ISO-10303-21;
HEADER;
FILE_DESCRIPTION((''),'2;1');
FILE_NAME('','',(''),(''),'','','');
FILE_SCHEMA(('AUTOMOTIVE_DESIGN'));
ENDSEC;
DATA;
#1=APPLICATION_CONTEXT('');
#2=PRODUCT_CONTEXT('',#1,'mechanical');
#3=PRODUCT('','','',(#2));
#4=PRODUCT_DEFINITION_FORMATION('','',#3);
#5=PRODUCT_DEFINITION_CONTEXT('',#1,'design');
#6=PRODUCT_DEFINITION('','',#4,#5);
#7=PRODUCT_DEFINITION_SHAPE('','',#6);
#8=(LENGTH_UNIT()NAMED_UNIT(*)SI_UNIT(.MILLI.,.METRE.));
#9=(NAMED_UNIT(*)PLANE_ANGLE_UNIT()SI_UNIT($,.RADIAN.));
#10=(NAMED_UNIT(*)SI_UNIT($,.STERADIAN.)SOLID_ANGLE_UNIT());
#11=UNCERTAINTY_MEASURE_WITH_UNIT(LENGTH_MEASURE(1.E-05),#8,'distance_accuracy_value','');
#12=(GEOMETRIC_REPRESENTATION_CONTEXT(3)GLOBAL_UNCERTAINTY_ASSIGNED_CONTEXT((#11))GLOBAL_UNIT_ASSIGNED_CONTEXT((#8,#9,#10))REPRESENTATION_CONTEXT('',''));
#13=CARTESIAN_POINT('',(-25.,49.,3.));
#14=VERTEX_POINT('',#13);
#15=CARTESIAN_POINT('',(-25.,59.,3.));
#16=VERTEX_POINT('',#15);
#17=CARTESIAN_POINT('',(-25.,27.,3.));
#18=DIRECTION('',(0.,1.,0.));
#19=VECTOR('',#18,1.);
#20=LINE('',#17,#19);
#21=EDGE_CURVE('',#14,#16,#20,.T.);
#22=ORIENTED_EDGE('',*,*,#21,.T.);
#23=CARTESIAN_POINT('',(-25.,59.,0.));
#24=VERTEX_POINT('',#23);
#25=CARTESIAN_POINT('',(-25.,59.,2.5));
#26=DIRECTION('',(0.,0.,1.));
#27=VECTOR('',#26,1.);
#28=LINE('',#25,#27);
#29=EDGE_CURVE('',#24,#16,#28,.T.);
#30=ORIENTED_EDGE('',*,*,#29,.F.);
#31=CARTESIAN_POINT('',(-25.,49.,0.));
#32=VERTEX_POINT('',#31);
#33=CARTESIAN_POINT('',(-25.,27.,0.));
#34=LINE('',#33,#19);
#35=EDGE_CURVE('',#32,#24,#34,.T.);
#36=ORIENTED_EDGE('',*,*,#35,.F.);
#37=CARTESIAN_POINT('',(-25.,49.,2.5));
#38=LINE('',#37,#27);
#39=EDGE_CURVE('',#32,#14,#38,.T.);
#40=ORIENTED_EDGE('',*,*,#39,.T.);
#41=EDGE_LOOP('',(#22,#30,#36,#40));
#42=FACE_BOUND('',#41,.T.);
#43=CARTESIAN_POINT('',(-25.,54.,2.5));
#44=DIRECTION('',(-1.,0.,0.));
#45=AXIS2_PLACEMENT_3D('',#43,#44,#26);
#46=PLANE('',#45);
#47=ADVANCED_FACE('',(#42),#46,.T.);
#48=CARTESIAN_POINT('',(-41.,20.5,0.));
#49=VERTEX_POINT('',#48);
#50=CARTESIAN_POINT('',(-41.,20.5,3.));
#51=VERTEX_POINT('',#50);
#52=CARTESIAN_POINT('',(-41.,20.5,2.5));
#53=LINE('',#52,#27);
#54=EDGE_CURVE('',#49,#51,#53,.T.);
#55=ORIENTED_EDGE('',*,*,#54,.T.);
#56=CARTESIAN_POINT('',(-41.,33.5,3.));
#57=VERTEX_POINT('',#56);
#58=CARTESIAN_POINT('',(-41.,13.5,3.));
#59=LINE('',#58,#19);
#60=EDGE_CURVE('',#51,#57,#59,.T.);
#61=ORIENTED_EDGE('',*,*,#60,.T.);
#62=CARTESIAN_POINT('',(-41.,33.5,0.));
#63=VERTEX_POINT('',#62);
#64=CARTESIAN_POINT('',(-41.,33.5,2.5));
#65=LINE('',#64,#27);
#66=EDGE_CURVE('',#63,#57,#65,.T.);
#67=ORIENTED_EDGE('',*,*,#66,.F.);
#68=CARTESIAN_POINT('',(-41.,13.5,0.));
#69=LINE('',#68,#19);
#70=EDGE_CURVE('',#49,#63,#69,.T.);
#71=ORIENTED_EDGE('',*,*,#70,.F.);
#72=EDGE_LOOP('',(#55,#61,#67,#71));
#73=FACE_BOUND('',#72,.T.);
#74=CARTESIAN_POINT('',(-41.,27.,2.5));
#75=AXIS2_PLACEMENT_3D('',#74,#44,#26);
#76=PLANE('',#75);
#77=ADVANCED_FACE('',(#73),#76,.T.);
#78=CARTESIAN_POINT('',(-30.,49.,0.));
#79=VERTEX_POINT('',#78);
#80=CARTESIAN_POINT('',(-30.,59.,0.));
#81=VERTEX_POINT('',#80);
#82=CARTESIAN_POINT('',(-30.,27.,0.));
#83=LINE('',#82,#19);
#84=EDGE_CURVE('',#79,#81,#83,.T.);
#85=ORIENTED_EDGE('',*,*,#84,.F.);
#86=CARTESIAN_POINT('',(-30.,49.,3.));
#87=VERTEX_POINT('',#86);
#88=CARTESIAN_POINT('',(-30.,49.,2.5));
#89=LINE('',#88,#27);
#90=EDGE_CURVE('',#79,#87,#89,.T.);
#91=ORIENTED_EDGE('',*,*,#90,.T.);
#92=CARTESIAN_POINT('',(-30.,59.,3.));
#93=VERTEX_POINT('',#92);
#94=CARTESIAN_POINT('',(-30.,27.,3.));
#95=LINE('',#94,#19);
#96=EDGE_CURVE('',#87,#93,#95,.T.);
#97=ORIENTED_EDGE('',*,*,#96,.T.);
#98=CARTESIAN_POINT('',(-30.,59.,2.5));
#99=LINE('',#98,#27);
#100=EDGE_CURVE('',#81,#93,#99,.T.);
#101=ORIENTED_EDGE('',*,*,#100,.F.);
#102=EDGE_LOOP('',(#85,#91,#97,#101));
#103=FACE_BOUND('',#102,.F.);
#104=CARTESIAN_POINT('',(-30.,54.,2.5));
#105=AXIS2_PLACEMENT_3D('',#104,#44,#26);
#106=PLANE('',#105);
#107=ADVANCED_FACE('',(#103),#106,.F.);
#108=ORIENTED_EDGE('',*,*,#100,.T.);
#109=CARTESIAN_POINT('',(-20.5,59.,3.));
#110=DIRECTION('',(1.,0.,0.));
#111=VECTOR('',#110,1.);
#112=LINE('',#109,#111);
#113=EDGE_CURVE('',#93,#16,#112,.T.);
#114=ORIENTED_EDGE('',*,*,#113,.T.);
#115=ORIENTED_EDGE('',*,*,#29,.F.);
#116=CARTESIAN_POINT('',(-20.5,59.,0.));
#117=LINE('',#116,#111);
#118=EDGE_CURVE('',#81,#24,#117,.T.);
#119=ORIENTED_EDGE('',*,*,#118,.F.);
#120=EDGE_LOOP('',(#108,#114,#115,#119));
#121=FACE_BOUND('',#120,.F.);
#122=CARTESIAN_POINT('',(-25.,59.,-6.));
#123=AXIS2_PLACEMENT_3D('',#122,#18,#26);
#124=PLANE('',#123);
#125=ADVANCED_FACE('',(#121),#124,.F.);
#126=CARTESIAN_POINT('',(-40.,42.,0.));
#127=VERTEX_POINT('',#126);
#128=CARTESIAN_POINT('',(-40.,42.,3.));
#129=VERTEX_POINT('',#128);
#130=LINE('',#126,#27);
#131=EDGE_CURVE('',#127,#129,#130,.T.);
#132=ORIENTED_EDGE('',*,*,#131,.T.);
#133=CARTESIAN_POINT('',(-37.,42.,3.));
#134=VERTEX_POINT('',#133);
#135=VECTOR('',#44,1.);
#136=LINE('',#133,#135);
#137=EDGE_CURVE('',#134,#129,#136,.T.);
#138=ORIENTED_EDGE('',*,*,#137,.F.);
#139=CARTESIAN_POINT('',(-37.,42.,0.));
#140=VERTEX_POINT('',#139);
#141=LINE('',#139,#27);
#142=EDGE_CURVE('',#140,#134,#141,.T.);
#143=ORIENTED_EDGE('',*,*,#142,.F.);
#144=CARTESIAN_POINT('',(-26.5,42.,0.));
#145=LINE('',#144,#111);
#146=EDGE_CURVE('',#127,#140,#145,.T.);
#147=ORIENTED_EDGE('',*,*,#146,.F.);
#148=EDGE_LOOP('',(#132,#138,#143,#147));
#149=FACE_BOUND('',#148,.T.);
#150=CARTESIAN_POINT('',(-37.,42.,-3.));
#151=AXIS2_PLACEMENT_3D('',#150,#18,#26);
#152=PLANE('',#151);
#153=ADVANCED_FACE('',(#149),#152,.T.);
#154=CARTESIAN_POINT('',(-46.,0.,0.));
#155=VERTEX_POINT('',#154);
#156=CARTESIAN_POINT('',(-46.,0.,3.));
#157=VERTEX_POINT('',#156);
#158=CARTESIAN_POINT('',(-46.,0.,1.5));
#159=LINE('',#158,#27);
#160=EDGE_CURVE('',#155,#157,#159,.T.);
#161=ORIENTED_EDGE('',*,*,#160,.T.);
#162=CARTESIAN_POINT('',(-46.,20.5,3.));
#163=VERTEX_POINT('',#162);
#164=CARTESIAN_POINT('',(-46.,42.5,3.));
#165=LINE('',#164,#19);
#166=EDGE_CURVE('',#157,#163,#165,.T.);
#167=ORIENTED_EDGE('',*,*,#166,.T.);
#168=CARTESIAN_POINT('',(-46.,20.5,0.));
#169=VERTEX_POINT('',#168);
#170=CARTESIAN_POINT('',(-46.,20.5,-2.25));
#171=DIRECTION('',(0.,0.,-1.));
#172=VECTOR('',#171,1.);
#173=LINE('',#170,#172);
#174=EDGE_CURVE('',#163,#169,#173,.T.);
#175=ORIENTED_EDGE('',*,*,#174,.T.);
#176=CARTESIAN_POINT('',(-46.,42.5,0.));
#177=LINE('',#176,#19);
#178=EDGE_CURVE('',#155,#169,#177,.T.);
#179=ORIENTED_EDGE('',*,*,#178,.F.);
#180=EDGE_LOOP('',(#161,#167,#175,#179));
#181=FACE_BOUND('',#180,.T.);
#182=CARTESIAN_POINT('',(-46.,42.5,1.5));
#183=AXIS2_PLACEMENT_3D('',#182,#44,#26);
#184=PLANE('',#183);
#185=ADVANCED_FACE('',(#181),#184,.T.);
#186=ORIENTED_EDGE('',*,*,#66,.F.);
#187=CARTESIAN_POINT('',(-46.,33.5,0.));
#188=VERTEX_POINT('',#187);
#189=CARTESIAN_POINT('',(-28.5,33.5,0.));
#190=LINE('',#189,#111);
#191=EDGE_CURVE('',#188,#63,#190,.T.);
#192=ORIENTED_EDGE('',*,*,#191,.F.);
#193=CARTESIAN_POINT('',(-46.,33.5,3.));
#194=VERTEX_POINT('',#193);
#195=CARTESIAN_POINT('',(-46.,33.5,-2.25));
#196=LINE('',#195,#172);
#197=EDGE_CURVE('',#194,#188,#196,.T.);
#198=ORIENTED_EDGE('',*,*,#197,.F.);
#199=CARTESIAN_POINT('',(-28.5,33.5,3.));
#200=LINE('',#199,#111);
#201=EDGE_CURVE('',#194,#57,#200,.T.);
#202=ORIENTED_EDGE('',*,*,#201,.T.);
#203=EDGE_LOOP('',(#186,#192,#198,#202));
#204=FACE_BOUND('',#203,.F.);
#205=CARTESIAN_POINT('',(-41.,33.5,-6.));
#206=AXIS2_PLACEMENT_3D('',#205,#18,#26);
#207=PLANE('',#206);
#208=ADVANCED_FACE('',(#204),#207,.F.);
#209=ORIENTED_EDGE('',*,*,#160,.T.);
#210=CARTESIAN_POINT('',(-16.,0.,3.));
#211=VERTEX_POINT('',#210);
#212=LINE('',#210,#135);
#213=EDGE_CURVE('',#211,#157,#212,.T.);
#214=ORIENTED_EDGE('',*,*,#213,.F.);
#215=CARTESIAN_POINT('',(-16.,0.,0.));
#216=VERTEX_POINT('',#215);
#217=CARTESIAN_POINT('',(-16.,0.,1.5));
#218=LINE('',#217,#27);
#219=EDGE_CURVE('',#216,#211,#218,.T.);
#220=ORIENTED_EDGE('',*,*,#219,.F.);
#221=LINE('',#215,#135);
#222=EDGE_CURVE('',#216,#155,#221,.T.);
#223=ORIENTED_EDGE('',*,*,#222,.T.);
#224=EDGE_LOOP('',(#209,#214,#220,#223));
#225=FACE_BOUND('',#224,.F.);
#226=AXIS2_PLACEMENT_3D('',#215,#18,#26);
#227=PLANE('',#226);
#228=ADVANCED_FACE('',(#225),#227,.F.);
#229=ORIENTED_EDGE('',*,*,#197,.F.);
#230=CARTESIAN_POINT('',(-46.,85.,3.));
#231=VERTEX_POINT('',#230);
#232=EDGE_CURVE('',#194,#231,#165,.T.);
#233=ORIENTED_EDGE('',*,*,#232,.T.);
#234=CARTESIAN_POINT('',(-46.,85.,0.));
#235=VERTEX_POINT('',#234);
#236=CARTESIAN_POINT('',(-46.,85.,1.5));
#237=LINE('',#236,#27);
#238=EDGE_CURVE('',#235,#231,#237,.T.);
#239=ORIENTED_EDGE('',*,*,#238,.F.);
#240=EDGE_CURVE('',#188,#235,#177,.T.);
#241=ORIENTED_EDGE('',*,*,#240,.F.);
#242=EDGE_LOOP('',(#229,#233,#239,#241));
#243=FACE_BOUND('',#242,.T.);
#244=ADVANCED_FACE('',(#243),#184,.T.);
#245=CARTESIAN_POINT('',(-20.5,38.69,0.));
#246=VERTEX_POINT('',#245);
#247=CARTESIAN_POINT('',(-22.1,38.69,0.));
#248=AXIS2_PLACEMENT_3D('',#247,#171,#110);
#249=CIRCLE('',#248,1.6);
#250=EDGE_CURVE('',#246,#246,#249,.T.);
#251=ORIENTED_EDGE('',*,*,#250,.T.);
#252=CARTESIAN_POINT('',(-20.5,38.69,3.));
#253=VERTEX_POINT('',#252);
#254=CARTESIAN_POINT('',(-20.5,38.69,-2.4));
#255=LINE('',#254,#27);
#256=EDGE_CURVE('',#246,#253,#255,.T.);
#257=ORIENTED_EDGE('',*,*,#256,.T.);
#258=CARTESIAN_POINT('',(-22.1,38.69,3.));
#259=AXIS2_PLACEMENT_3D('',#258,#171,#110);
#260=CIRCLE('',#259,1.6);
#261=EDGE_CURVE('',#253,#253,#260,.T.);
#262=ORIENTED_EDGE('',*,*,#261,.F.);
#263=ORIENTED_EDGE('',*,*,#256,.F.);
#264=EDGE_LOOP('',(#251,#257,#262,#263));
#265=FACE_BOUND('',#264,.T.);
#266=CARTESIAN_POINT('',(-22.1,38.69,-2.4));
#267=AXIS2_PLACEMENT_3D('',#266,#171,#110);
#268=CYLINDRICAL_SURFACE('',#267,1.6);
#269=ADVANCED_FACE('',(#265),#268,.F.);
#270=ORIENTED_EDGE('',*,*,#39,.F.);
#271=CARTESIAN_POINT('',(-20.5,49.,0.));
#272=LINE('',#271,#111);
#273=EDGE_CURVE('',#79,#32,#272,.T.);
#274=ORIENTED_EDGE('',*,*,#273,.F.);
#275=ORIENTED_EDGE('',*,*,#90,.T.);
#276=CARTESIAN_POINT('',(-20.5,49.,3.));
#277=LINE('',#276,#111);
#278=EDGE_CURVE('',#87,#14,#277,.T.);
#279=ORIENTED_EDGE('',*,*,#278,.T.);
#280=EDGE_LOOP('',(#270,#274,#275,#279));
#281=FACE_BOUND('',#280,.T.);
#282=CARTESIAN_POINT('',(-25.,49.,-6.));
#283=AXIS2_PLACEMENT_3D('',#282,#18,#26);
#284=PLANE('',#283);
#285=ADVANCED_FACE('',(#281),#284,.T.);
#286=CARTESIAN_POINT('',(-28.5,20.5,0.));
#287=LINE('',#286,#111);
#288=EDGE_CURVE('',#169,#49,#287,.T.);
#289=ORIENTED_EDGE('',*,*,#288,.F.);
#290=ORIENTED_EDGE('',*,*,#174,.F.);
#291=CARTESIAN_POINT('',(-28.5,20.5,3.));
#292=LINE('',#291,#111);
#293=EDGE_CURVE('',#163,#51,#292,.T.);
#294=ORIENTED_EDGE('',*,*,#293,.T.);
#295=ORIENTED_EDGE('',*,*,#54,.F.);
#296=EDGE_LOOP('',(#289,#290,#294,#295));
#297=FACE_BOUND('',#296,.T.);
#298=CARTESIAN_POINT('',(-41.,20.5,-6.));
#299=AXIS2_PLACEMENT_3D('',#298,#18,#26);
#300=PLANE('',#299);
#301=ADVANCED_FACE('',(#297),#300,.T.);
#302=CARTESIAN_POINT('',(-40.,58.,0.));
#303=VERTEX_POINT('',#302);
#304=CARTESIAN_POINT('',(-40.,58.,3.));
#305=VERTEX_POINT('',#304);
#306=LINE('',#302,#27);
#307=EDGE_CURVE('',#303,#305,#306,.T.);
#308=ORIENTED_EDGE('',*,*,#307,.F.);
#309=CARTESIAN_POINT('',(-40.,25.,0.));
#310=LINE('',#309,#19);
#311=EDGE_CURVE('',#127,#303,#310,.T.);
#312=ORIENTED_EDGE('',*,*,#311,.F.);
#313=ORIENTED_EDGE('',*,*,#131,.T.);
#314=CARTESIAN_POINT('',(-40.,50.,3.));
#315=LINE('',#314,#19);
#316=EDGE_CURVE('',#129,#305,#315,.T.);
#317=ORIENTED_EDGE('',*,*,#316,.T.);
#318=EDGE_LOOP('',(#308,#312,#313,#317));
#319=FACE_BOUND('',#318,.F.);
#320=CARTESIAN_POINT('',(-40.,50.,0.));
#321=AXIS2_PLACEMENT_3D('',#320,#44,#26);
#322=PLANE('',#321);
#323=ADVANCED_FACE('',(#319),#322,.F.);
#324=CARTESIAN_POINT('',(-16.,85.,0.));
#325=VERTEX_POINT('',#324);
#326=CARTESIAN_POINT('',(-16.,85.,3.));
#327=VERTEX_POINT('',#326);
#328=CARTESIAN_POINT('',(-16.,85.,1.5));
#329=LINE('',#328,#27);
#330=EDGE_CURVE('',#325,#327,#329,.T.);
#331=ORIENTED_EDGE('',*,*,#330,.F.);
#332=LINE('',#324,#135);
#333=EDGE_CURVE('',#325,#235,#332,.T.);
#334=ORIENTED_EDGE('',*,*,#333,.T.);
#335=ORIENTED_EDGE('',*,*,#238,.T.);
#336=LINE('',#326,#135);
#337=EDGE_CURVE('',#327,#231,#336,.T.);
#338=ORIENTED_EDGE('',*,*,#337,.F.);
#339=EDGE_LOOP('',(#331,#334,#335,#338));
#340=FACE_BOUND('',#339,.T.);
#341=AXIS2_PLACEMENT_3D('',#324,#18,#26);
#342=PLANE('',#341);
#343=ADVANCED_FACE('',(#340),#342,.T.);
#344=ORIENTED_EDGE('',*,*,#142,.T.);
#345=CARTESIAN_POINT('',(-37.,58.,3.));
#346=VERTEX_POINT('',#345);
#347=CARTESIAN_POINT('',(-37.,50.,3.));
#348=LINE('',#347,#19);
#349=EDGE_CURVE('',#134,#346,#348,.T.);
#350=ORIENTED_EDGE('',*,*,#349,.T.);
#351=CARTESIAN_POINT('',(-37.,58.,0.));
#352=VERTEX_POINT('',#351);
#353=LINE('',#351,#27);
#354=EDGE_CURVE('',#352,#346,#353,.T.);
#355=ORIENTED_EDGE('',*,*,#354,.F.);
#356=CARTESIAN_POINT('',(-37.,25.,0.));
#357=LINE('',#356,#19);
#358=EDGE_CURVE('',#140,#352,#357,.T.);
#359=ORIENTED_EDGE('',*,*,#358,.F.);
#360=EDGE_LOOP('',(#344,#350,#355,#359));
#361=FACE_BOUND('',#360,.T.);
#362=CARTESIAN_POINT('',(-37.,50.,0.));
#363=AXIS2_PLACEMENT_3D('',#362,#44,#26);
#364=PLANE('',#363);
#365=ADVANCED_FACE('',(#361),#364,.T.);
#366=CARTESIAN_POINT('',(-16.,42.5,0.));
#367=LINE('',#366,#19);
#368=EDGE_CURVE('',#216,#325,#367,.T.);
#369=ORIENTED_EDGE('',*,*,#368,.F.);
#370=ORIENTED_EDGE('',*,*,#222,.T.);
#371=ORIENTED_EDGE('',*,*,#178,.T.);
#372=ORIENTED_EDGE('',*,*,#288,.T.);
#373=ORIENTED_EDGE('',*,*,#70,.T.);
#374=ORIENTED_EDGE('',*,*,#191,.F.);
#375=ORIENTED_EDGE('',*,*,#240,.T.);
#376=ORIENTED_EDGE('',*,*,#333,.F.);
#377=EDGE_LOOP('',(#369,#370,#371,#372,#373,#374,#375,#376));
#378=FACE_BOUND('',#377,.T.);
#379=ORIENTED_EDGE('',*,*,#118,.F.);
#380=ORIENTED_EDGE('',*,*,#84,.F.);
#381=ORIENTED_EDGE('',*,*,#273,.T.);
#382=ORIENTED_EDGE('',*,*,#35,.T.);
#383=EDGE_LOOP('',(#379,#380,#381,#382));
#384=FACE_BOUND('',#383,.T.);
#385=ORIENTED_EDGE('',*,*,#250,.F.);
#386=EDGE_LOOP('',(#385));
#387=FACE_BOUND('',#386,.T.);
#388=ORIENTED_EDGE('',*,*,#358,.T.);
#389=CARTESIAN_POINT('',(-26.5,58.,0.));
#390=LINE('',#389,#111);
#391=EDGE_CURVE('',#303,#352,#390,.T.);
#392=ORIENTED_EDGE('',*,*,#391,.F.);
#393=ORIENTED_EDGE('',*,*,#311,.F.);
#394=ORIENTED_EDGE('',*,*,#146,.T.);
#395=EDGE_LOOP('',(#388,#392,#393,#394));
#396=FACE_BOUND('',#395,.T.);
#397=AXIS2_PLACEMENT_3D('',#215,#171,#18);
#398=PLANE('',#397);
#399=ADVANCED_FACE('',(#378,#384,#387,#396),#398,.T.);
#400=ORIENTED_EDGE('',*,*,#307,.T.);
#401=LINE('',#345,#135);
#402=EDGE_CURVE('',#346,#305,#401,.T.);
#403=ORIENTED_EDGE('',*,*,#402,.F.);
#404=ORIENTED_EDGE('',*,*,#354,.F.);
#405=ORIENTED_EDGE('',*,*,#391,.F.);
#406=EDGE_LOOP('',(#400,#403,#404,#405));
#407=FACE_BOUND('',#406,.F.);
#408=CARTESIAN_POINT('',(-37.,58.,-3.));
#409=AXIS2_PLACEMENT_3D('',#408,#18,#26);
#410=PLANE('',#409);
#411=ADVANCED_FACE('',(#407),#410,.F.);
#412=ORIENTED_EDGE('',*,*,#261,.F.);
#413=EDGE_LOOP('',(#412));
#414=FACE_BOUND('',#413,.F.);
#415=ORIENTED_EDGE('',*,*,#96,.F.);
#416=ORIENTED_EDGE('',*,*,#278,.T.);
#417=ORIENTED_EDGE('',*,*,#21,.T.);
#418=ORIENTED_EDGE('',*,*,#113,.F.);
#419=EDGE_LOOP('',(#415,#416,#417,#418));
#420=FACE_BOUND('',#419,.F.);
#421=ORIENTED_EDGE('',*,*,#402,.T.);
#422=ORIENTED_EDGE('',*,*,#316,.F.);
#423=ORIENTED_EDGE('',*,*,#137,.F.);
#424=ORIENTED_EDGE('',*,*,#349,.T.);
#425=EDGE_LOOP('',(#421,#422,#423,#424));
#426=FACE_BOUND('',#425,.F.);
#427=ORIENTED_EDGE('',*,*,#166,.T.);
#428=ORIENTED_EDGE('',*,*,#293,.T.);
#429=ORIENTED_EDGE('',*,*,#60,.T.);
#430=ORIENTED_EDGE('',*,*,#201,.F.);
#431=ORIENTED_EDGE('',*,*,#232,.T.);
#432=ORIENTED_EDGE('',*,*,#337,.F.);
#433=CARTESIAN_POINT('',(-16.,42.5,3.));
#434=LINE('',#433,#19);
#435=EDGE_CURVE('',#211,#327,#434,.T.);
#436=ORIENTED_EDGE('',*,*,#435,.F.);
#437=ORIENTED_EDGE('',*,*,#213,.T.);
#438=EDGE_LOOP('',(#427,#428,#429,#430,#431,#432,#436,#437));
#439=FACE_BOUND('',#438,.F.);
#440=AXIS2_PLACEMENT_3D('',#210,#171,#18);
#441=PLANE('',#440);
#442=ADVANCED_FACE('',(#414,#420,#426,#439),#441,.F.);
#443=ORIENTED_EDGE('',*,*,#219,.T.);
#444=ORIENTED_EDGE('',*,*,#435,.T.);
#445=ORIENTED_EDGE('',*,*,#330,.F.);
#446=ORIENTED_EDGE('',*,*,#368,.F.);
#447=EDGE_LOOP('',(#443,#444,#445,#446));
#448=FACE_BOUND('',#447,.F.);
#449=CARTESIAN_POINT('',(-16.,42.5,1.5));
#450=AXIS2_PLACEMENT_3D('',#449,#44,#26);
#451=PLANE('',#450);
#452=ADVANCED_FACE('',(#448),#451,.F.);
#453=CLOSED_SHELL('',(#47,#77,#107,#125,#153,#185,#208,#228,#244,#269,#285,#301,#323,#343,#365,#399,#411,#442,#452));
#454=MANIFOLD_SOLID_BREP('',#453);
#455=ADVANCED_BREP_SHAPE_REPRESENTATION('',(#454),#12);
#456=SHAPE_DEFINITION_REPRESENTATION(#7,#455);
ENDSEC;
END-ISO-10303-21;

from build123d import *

# Parameters (mm, degrees)
CYLINDER026_R           = 1.6
CYLINDER026_DEPTH       = 10
CYLINDER026_PITCH_ANGLE = 90
BOX008_W                = 17
BOX008_H                = 10
BOX008_DEPTH            = 5
BOX019_W                = 6
BOX019_H                = 16
BOX019_DEPTH            = 3
BOX007_W                = 17
BOX007_H                = 13
BOX007_DEPTH            = 10
BOX002_W                = 3
BOX002_H                = 85
BOX002_DEPTH            = 30
CUT027_PITCH_ANGLE      = -90


with BuildPart() as front_hole:
    # Cylinder026 → Cylinder026 (new body)
    with BuildSketch(Plane.XY):
        Circle(CYLINDER026_R)
    extrude(amount=CYLINDER026_DEPTH)


with BuildPart() as front_hole_1:
    # Cylinder026 pitch: moved
    add(front_hole.part.rotate(Axis((0, 0, 0), (0, 1, 0)), CYLINDER026_PITCH_ANGLE))


with BuildPart() as front_hole_2:
    # Cylinder026 placement: moved
    add(front_hole_1.part.moved(Location((-7.4, 38.69, -18.9))))


with BuildPart() as usb_connector002:
    # Box008 → Box008 (new body)
    with BuildSketch(Plane(origin=(-11, 49, -16), x_dir=(1, 0, 0), z_dir=(0, 0, 1))):
        with Locations((8.5, 5)):
            Rectangle(BOX008_W, BOX008_H)
    extrude(amount=BOX008_DEPTH)


with BuildPart() as sd_card_reader:
    # Box019 → Box019 (new body)
    with BuildSketch(Plane(origin=(-8, 42, -4), x_dir=(1, 0, 0), z_dir=(0, 0, 1))):
        with Locations((3, 8)):
            Rectangle(BOX019_W, BOX019_H)
    extrude(amount=BOX019_DEPTH)


with BuildPart() as fusion:
    # Box007 → Box007 (new body)
    with BuildSketch(Plane(origin=(-11, 20.5, 0), x_dir=(1, 0, 0), z_dir=(0, 0, 1))):
        with Locations((8.5, 6.5)):
            Rectangle(BOX007_W, BOX007_H)
    extrude(amount=BOX007_DEPTH)

    # Fusion: union USB connector002, SD card reader
    add(usb_connector002.part)
    add(sd_card_reader.part)


with BuildPart() as final_front:
    # Box002 → Box002 (new body)
    with BuildSketch(Plane(origin=(-5, 0, -25), x_dir=(1, 0, 0), z_dir=(0, 0, 1))):
        with Locations((1.5, 42.5)):
            Rectangle(BOX002_W, BOX002_H)
    extrude(amount=BOX002_DEPTH)

    # Cut: cut Fusion
    add(fusion.part, mode=Mode.SUBTRACT)

    # Cut027: cut front hole
    add(front_hole_2.part, mode=Mode.SUBTRACT)


with BuildPart() as final_front_1:
    # Cut027 pitch: moved
    add(final_front.part.rotate(Axis((0, 0, 0), (0, 1, 0)), CUT027_PITCH_ANGLE))


with BuildPart() as final_front_2:
    # Cut027 placement: moved
    add(final_front_1.part.moved(Location((-41, 0, 5))))


solid = final_front_2.part
